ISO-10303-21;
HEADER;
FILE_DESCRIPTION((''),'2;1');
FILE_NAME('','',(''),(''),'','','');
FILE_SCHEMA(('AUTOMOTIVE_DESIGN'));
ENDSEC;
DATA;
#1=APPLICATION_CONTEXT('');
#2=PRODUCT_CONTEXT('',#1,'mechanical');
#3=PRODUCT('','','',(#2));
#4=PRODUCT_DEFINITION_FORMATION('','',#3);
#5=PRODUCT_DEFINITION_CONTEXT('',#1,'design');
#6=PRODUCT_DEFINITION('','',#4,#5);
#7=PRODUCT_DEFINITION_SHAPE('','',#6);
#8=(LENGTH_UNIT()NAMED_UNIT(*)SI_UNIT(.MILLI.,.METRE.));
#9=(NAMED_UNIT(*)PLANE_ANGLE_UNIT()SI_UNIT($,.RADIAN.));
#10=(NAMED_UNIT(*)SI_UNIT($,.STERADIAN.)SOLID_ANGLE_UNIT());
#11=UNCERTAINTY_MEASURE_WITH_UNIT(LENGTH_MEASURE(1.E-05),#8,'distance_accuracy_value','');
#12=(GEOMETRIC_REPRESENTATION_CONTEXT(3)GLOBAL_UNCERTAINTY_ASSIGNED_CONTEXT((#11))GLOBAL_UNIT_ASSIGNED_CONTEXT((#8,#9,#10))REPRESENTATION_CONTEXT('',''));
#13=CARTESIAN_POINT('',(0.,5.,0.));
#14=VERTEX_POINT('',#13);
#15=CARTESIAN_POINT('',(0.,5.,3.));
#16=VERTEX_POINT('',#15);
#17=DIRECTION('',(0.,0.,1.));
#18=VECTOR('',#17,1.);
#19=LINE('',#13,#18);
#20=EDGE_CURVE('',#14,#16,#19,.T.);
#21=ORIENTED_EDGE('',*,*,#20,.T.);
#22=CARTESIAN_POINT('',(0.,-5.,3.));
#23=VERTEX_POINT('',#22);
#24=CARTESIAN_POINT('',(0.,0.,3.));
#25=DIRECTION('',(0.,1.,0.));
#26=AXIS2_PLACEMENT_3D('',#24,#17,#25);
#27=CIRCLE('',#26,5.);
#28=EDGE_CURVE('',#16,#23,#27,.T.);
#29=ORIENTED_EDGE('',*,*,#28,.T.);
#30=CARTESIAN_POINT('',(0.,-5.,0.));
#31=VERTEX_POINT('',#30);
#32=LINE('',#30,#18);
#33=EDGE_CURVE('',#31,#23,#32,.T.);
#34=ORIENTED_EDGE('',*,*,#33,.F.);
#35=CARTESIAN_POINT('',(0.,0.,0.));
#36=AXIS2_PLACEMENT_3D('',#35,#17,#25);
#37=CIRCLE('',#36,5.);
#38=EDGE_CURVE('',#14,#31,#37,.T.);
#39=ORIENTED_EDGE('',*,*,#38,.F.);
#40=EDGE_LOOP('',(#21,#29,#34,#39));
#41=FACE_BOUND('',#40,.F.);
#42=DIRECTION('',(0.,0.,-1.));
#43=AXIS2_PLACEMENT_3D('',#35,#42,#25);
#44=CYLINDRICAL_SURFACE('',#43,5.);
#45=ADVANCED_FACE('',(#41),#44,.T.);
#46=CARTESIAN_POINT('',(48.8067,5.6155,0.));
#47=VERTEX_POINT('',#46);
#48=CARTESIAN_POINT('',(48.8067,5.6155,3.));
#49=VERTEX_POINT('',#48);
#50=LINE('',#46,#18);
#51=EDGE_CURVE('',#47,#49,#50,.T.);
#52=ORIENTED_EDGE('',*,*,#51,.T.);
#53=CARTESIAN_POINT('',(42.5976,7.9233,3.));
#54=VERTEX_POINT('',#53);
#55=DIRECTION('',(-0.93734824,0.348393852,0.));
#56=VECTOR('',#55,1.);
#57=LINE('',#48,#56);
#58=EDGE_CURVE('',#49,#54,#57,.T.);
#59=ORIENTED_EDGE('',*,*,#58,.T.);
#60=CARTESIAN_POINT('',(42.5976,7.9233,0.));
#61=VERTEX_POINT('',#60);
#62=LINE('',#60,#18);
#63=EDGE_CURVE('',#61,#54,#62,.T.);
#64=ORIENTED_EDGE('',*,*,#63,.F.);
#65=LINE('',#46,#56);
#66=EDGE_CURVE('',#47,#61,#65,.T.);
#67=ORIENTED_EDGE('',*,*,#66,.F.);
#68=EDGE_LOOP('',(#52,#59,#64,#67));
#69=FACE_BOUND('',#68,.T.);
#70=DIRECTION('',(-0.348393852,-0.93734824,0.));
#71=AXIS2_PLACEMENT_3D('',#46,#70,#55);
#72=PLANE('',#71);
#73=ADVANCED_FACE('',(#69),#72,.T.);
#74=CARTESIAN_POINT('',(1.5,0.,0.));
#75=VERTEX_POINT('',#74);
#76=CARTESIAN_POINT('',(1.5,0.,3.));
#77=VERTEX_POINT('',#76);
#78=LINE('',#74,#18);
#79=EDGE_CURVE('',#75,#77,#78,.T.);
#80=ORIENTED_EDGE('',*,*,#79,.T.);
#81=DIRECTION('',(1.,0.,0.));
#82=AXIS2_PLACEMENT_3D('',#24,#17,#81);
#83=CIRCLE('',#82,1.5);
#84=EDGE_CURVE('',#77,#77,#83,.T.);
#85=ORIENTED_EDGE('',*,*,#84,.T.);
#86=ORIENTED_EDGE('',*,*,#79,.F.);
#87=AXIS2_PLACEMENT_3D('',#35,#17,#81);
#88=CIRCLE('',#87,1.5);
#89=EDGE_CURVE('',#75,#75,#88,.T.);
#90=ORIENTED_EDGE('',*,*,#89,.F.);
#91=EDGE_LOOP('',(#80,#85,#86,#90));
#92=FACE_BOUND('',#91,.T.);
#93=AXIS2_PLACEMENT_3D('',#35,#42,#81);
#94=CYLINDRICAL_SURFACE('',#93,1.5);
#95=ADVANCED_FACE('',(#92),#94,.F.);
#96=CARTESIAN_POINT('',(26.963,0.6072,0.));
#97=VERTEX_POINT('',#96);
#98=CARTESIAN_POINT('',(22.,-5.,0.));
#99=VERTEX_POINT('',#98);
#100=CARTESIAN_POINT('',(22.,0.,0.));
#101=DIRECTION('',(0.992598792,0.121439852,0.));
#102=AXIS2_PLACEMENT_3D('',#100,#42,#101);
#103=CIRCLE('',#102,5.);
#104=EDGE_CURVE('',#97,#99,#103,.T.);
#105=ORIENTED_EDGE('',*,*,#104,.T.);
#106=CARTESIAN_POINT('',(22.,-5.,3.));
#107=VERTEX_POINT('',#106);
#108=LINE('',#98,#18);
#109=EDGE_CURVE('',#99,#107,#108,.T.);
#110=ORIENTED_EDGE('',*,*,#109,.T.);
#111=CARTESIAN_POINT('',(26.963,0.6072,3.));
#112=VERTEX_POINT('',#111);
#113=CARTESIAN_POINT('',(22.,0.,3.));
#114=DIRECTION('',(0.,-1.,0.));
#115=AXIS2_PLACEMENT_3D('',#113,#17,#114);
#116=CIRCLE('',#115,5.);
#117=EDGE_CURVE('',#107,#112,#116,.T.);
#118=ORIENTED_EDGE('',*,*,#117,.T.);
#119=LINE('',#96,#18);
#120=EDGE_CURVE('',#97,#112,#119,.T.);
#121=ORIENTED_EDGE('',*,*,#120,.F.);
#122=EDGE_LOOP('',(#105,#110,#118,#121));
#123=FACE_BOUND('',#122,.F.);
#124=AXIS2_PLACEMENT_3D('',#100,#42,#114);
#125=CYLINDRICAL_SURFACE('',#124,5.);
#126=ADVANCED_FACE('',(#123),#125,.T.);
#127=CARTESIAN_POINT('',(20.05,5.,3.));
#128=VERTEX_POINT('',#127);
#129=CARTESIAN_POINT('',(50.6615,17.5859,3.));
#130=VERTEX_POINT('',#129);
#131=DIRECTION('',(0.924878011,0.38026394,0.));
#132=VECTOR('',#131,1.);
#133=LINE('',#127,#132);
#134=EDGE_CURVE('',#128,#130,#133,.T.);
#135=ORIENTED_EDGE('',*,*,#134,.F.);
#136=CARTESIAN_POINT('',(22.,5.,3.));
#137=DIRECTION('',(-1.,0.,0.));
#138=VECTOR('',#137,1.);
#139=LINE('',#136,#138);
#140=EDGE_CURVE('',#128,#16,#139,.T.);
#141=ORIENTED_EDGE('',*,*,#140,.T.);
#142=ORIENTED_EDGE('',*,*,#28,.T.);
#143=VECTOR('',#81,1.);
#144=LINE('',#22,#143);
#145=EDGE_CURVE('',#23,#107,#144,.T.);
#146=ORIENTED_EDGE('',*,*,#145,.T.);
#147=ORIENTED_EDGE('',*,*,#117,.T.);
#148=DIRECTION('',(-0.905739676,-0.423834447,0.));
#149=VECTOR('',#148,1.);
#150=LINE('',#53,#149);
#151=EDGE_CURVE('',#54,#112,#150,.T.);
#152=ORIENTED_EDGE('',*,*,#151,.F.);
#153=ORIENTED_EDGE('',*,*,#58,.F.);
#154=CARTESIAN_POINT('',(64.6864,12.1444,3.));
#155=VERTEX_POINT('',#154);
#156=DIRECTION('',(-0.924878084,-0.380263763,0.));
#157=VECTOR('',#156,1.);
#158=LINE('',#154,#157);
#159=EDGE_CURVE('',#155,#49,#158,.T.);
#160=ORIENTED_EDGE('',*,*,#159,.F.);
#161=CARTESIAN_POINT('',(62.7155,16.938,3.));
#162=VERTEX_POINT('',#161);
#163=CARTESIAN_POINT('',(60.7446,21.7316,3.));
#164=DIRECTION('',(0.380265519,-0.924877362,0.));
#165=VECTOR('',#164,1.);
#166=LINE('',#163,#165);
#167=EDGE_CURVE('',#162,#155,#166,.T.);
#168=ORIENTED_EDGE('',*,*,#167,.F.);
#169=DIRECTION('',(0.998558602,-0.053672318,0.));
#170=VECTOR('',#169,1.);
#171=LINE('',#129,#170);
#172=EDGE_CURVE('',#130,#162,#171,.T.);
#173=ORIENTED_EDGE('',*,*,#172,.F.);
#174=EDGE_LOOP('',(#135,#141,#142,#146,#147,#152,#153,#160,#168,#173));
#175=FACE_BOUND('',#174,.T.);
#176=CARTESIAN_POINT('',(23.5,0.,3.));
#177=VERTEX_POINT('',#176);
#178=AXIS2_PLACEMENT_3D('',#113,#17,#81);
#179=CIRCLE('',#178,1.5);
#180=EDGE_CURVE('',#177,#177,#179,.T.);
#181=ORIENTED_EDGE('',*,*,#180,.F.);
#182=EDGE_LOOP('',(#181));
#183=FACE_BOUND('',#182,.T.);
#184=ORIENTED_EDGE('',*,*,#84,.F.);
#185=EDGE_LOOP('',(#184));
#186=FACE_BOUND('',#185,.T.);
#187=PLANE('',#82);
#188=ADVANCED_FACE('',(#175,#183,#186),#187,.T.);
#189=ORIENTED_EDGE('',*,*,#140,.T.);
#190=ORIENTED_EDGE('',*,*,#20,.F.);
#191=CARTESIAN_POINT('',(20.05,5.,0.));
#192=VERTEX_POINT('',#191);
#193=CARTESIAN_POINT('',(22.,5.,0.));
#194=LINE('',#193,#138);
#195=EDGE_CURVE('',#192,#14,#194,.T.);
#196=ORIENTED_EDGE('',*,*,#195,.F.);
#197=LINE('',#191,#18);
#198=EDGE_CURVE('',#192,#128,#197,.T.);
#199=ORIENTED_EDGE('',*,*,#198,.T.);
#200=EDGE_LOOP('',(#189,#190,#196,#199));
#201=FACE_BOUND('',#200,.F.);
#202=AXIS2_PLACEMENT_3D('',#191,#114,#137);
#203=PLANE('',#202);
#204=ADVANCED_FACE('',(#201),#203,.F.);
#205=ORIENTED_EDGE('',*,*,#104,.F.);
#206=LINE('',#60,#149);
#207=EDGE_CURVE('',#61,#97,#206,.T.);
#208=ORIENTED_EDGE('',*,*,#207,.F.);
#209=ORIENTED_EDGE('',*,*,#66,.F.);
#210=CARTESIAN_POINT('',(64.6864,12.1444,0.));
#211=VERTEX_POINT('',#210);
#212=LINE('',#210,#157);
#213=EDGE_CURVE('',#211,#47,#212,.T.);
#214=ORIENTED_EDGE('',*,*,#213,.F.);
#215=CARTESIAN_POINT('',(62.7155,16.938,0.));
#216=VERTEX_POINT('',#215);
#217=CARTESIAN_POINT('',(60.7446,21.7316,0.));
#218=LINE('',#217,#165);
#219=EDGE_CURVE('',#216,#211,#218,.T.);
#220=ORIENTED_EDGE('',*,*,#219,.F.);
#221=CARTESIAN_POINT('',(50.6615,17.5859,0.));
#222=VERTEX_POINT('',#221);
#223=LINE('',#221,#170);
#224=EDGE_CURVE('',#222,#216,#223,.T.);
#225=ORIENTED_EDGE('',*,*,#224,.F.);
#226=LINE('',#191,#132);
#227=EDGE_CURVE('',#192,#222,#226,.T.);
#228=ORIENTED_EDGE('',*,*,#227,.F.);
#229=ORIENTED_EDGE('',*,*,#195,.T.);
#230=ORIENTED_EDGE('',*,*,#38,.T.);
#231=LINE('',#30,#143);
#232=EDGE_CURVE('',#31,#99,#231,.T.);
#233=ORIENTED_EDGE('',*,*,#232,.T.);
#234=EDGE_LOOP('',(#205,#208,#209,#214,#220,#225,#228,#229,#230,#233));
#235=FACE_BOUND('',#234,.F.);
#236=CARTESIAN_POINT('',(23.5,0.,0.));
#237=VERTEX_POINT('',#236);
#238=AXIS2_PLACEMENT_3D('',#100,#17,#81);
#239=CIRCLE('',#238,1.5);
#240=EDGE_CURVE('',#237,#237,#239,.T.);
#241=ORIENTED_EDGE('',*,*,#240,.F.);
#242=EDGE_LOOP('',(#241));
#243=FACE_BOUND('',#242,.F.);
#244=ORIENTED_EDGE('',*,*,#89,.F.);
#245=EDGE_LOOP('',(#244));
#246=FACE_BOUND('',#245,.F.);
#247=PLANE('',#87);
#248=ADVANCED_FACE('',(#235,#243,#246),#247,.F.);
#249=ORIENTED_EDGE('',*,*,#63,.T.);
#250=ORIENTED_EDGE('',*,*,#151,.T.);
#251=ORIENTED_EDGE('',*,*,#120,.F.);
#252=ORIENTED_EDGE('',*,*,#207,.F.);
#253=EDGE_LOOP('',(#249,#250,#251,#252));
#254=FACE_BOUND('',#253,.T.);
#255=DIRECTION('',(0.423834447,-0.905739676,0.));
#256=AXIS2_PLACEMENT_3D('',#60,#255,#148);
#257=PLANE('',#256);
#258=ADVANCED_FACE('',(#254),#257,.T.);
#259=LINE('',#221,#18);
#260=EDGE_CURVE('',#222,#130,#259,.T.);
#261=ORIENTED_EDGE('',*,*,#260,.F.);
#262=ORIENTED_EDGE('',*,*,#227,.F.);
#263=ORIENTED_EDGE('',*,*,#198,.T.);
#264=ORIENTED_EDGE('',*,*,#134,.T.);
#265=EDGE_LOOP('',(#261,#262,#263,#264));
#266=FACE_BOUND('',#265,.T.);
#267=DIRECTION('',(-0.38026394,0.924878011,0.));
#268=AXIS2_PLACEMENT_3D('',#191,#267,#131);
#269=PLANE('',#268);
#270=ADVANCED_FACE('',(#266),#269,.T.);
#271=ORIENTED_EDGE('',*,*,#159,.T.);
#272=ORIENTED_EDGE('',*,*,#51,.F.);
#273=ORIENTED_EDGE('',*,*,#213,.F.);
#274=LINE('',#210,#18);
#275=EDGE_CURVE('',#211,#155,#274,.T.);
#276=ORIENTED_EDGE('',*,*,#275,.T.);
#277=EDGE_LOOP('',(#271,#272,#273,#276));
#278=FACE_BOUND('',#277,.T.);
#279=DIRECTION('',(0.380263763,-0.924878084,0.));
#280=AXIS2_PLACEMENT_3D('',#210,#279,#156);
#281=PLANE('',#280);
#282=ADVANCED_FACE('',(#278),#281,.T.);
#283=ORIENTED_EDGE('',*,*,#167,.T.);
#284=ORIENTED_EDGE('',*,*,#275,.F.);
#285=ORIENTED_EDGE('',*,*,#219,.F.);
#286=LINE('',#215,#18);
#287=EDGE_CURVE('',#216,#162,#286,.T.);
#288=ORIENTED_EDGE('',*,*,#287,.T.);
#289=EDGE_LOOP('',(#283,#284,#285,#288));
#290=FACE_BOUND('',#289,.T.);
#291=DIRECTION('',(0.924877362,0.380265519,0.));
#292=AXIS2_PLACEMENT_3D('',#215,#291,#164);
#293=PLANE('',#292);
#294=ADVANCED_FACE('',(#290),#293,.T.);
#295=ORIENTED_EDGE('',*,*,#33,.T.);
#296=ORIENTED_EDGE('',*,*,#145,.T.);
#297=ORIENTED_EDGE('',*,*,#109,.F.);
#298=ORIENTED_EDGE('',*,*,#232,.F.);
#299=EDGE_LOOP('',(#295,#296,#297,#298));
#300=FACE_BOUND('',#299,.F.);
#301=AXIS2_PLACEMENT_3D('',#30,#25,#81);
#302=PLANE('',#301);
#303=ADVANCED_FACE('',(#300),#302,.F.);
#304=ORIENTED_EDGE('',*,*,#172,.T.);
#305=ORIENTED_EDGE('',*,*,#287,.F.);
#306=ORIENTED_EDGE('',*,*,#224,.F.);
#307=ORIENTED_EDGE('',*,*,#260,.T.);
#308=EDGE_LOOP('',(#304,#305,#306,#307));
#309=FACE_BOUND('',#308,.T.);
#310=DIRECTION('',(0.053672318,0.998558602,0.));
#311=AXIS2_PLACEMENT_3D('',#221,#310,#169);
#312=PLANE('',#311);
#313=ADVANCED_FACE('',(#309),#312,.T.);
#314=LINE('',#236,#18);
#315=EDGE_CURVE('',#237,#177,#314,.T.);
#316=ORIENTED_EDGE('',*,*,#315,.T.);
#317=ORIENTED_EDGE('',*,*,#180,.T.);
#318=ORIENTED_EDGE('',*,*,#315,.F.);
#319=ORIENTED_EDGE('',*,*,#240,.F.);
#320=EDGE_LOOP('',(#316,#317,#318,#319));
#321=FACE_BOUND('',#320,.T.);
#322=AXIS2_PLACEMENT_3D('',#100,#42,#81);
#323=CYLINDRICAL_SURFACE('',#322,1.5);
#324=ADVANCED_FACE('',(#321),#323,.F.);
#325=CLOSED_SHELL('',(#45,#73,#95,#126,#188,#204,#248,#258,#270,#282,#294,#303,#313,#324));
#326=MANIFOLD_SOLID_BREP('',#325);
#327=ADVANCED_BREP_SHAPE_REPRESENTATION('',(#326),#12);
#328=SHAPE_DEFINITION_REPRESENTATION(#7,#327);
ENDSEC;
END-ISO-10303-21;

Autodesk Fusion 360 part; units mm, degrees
sketch "Sketch1" plane through (0, 0, 0) normal (0, 0, 1) x (1, 0, 0)
  line L0 (0, -5) -> (22, -5)
  arc A0 (22, -5) -> (22, 5) centre (22, 0) ccw
  line L1 (22, 5) -> (0, 5)
  arc A1 (0, 5) -> (0, -5) centre (0, 0) ccw
  line L2 (0, 0) -> (22, 0) construction
  circle A2 centre (0, 0) radius 1.5
  line L3 (20.05, 5) -> (60.7446, 21.7316)
  line L4 (60.7446, 21.7316) -> (64.6864, 12.1444)
  line L5 (64.6864, 12.1444) -> (23.9013, -4.6244)
  line L6 (50.6615, 17.5859) -> (62.7155, 16.938)
  line L7 (48.8067, 5.6155) -> (42.5976, 7.9233)
  line L8 (42.5976, 7.9233) -> (26.963, 0.6072)
  circle A3 centre (22, 0) radius 1.5
  dimension "d1" = 22
  dimension "d2" = 5
  dimension "d3" = 3
  dimension "d4" = 157.65
  dimension "d5" = 44
  dimension "d6" = 1.95
  dimension "d7" = 3
extrude "Extrude1" add sketch "Sketch1" along normal blind 3 contours L0 A0 L1 A1 | A0 L1 L3 L4 L5 L6 L7 L8
sketch "Sketch2" plane through (0, 0, 0) normal (0, 0, 1) x (1, 0, 0)
  circle A0 centre (14, 12) radius 3.5
  circle A1 centre (14, 12) radius 1.5
  circle A2 centre (45, 12) radius 1.5
  circle A3 centre (45, 12) radius 3.5
  line L0 (14, 12) -> (45, 12)
  line L1 (17.1623, 13.5) -> (41.8377, 13.5)
  line L2 (17.1623, 10.5) -> (41.8377, 10.5)
  dimension "d10" = 3
  dimension "d11" = 3
  dimension "d12" = 7
  dimension "d13" = 7
  dimension "d14" = 31
  dimension "d15" = 1.5
